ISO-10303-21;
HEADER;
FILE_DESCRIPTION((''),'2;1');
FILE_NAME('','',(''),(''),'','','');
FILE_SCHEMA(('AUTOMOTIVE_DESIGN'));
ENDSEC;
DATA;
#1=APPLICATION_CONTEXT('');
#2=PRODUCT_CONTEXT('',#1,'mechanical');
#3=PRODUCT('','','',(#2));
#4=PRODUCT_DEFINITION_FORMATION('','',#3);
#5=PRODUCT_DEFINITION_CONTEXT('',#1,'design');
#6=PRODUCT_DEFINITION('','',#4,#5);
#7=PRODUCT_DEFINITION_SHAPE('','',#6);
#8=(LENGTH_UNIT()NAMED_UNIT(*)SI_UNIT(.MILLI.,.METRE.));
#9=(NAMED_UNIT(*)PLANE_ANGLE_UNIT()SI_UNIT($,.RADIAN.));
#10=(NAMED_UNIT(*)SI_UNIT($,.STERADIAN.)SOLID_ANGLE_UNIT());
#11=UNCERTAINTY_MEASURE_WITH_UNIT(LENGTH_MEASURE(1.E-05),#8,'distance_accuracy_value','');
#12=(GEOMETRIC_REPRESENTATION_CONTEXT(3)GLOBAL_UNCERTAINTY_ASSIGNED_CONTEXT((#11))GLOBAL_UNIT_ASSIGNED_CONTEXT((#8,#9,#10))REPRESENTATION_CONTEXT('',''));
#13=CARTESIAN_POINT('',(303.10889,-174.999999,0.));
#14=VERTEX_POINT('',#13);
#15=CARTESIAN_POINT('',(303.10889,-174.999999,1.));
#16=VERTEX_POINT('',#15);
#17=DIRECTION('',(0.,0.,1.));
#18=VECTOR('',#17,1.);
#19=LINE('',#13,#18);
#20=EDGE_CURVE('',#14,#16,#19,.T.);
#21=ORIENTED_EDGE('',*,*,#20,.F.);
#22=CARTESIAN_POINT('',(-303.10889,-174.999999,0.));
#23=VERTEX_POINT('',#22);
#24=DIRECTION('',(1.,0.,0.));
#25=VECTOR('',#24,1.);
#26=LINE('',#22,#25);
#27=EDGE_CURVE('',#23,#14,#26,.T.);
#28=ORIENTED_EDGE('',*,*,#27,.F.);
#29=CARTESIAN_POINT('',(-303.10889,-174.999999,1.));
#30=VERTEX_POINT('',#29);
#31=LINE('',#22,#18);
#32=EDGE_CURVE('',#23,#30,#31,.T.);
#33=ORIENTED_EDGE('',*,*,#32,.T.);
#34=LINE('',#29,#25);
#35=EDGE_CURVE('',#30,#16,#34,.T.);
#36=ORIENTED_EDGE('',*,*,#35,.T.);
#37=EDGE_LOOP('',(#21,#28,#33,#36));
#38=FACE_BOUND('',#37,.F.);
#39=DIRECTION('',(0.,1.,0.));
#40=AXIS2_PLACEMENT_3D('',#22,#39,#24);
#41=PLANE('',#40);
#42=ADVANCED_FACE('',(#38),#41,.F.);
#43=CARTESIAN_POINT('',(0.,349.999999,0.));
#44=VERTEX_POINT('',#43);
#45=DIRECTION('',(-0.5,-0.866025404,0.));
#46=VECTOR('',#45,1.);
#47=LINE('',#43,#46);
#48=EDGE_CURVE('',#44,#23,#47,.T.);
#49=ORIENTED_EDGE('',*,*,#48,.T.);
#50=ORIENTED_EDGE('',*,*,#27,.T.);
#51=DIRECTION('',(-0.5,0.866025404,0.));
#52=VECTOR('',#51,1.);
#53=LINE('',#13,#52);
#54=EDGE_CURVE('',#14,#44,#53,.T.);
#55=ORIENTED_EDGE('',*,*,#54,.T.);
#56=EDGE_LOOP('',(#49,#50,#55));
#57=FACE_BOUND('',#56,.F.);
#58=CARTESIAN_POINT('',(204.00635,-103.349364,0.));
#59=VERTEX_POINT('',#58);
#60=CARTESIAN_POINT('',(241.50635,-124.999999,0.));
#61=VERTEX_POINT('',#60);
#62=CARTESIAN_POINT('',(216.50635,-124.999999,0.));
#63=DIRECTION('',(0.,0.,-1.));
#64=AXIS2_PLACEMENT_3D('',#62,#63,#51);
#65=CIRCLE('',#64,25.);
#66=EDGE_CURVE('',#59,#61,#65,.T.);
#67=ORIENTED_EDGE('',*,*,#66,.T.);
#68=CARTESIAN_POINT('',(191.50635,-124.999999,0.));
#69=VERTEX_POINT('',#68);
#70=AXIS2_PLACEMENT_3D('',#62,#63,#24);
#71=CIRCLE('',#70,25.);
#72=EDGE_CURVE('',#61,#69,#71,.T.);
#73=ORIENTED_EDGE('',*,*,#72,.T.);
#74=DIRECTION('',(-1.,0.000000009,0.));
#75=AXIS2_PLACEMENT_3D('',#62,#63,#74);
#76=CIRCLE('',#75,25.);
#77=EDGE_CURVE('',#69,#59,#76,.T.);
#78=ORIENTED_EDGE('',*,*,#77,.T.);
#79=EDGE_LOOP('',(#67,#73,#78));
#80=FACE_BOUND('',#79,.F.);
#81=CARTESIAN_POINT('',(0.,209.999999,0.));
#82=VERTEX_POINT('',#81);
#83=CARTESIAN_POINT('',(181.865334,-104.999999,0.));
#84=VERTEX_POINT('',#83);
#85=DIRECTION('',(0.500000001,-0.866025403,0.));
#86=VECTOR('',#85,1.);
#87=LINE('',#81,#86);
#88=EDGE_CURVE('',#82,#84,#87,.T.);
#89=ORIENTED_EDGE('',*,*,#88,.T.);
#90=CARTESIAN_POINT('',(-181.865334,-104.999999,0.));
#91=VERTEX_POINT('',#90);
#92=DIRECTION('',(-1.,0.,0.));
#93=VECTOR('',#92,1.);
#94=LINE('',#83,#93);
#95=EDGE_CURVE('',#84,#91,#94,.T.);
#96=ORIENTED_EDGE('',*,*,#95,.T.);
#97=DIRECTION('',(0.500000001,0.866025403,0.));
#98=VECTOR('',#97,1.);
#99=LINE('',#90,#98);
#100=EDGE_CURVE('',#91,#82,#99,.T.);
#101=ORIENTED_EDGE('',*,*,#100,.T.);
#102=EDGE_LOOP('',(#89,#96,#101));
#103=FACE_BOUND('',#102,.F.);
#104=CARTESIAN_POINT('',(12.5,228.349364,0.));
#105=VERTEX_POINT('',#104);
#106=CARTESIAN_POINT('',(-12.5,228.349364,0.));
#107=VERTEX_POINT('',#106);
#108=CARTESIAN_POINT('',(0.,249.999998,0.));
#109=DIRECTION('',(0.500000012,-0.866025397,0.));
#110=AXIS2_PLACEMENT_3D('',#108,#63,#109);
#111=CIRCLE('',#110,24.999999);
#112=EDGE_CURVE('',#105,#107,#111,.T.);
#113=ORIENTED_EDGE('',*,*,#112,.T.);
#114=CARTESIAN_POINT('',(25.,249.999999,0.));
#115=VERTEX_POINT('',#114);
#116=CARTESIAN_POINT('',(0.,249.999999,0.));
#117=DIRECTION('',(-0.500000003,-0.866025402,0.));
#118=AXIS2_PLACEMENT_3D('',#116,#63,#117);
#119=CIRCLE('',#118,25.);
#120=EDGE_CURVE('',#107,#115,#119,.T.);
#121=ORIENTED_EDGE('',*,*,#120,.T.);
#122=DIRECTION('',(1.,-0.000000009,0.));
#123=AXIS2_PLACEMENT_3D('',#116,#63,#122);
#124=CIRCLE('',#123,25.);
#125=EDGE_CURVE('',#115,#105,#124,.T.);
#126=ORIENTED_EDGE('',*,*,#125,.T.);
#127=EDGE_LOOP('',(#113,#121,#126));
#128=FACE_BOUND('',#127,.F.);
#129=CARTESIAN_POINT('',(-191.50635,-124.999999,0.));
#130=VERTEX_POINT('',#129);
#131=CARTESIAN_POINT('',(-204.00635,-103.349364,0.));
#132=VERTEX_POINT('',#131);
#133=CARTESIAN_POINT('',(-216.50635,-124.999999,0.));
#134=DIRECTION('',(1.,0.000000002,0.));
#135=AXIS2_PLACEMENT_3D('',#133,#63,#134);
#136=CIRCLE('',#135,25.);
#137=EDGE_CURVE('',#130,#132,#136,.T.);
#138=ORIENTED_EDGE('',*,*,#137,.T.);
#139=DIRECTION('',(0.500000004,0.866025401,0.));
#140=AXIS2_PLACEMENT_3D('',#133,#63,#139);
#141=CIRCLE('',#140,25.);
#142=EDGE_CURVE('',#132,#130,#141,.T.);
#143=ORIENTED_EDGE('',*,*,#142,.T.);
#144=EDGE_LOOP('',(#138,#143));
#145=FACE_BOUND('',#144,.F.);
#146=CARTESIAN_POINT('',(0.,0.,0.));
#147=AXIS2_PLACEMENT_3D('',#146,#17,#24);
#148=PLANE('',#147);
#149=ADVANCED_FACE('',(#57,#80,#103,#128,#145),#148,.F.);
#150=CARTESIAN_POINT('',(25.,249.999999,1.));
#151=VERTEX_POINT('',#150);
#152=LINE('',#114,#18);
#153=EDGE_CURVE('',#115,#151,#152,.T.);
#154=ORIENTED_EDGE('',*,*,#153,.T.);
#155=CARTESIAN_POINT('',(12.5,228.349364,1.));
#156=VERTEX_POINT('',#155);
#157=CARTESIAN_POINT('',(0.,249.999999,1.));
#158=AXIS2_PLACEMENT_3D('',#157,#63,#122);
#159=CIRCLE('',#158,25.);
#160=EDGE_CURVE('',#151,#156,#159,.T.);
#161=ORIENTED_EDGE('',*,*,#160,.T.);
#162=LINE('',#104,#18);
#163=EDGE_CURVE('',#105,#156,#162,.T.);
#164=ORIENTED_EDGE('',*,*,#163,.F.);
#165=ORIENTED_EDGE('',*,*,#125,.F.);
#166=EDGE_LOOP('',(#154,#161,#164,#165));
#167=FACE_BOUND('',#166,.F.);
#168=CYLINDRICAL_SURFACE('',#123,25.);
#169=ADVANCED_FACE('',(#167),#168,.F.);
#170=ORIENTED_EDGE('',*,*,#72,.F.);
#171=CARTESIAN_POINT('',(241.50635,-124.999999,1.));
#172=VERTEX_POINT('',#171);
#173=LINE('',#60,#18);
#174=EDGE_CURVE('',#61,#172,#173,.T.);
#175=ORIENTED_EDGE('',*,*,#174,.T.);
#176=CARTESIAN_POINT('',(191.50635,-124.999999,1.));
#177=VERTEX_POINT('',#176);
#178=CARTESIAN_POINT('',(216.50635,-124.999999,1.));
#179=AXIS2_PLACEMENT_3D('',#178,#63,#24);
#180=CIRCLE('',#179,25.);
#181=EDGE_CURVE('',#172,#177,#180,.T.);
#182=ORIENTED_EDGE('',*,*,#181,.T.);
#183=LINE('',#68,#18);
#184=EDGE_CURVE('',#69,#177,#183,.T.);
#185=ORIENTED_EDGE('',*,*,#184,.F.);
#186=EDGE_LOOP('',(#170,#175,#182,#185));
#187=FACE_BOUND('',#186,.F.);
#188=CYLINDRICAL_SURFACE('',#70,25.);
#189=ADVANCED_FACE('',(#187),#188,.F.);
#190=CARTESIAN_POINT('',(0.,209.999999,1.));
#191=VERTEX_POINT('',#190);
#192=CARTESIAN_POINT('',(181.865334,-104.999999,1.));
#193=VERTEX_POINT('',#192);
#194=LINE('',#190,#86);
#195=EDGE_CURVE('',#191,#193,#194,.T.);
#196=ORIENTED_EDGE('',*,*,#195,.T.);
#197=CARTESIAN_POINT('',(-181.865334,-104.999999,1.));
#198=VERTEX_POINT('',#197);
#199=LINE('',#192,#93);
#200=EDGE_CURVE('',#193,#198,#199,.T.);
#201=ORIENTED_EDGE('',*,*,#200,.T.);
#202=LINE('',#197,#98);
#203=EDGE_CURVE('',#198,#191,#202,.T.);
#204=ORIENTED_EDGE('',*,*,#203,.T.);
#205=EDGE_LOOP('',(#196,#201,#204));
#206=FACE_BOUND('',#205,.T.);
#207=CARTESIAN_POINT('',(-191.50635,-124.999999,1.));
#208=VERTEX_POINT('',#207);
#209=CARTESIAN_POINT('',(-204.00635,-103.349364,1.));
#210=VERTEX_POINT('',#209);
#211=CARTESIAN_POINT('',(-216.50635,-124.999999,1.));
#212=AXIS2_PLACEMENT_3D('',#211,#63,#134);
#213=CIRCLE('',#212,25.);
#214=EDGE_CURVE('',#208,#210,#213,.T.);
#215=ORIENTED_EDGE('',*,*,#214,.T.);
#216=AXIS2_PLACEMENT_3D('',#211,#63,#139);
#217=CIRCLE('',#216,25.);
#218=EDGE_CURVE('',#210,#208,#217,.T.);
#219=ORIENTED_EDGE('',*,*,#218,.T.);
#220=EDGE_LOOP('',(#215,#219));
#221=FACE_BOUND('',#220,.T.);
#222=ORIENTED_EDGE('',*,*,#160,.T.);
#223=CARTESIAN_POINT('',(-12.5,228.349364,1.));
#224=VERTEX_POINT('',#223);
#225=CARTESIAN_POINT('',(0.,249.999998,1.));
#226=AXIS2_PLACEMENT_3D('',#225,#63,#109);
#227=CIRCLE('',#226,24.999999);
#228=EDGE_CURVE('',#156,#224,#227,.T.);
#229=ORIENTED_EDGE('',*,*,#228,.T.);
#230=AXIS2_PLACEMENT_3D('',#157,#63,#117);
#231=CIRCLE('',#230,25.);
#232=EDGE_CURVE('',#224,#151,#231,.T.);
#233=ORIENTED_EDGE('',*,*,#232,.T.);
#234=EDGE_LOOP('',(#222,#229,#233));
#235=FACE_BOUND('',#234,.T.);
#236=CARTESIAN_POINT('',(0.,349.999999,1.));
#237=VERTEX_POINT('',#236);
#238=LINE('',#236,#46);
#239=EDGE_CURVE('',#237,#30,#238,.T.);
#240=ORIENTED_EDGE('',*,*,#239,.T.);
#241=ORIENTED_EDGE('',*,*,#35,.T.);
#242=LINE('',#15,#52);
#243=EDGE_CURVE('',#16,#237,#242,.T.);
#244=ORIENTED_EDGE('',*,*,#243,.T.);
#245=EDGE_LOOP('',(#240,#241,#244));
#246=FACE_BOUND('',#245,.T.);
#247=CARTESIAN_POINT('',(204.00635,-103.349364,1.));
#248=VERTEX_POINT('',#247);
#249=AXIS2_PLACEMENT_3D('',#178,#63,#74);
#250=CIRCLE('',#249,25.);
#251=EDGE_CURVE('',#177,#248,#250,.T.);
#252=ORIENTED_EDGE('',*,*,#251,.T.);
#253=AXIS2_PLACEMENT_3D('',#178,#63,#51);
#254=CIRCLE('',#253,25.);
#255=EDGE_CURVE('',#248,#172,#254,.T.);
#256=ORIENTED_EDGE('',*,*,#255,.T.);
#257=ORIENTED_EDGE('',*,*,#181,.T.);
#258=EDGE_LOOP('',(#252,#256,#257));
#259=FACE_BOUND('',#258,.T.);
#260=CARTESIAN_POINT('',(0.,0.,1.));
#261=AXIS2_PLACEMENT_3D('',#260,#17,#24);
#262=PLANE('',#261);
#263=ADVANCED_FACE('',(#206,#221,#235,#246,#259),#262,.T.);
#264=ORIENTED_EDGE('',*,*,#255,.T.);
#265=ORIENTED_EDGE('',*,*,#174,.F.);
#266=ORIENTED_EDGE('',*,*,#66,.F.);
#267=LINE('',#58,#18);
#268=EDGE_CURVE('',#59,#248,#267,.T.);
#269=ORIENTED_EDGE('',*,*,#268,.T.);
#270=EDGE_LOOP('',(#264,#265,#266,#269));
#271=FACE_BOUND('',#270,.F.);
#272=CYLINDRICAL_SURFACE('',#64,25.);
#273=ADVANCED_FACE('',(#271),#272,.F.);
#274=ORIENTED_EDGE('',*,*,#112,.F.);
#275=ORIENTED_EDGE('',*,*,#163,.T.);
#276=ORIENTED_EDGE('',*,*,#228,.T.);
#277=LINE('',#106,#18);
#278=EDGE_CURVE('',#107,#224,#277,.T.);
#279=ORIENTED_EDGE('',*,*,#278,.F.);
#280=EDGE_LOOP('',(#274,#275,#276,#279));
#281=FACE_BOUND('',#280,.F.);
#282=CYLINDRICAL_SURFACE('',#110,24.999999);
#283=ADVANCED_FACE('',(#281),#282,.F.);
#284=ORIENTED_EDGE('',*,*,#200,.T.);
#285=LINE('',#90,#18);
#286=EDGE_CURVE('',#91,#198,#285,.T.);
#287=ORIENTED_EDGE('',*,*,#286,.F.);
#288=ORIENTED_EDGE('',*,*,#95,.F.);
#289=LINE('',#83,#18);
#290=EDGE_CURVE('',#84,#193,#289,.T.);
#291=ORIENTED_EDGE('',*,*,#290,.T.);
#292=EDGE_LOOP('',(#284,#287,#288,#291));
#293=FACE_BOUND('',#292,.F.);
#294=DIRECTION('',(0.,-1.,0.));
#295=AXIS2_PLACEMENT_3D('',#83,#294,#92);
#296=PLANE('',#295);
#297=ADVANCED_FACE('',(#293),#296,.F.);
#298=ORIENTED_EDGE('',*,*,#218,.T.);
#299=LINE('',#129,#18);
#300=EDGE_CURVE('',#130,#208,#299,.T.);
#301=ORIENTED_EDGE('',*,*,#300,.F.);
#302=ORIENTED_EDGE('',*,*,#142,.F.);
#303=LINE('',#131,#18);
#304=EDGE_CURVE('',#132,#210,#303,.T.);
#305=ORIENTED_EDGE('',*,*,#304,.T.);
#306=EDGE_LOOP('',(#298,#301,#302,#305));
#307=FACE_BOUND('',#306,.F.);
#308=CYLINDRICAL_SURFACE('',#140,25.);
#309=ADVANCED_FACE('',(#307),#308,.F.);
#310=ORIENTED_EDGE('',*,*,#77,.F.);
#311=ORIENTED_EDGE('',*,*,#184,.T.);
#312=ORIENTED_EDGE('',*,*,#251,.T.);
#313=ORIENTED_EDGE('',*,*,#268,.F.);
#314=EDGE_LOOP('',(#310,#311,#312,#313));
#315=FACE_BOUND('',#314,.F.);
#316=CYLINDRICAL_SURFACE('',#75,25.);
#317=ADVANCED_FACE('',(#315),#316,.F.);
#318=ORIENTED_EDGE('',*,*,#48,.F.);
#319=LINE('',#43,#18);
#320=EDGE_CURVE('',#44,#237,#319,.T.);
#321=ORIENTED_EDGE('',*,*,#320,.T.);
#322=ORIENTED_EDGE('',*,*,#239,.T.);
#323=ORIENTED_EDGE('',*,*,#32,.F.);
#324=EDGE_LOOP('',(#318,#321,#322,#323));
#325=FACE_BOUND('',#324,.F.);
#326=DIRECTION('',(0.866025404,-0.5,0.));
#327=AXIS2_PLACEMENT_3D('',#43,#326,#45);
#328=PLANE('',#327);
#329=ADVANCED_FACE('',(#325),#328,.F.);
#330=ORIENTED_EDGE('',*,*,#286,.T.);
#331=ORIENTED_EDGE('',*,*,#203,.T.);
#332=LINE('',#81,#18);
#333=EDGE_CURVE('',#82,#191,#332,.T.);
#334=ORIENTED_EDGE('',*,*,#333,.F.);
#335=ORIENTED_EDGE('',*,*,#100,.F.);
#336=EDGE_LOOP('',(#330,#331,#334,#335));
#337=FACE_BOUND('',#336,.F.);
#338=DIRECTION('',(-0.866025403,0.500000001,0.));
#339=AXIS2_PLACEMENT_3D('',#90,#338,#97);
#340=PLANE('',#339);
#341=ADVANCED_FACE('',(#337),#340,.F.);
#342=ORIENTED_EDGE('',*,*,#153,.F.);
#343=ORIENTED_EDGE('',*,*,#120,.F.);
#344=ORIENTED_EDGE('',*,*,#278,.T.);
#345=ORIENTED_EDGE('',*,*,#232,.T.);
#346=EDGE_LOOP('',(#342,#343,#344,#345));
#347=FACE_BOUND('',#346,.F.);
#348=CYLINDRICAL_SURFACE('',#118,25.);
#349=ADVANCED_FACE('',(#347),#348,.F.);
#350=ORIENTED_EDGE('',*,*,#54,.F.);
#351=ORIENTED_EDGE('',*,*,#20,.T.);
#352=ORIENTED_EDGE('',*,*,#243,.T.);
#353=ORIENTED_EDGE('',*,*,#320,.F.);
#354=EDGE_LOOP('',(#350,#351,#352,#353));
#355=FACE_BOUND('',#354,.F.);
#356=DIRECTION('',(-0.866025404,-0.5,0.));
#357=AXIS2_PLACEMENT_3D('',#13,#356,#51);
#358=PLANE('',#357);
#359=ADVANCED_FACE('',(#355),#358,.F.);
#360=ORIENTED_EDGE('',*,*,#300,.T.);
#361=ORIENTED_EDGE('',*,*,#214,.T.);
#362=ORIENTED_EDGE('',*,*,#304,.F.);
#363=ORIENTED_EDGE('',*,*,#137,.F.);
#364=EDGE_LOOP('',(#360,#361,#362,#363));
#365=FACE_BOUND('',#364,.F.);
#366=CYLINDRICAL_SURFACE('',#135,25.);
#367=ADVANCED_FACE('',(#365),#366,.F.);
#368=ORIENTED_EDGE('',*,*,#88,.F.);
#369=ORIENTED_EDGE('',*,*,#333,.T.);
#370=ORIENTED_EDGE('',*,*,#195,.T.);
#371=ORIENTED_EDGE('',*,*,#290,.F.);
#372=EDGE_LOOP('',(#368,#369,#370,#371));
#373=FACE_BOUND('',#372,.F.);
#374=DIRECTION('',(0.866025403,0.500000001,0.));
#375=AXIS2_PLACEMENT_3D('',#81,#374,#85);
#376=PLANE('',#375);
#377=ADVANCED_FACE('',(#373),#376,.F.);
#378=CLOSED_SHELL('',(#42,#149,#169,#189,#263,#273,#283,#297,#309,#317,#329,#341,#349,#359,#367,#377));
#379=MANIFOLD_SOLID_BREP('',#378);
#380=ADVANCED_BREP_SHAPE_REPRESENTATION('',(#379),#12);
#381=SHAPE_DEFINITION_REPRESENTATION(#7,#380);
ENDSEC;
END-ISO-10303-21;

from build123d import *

# Parameters (mm, degrees)
F2_DEPTH = 1


with BuildPart() as f2:
    # F1 (on Top) → F2 (new body)
    with BuildSketch(Plane.XY):
        Polygon((303.10889, -174.999999), (0, 349.999999), (-303.10889, -174.999999), align=None)
        with BuildLine():
            ThreePointArc((25, 249.999999), (21.650635, 237.499999), (12.5, 228.349364))
            Line((12.5, 228.349364), (204.00635, -103.349364))
            ThreePointArc((204.00635, -103.349364), (229.00635, -103.349364), (241.50635, -124.999999))
            ThreePointArc((241.50635, -124.999999), (216.50635, -149.999999), (191.50635, -124.999999))
            Line((191.50635, -124.999999), (-191.50635, -124.999999))
            ThreePointArc((-191.50635, -124.999999), (-238.156985, -137.499999), (-204.00635, -103.349364))
            Line((-204.00635, -103.349364), (-12.5, 228.349364))
            ThreePointArc((-12.5, 228.349364), (-12.5, 271.650634), (25, 249.999999))
        make_face(mode=Mode.SUBTRACT)
        with BuildLine():
            Line((204.00635, -103.349364), (12.5, 228.349364))
            ThreePointArc((12.5, 228.349364), (0, 224.999999), (-12.5, 228.349364))
            Line((-12.5, 228.349364), (-204.00635, -103.349364))
            ThreePointArc((-204.00635, -103.349364), (-194.855715, -112.499999), (-191.50635, -124.999999))
            Line((-191.50635, -124.999999), (191.50635, -124.999999))
            ThreePointArc((191.50635, -124.999999), (194.855715, -112.499999), (204.00635, -103.349364))
        make_face()
        Polygon((-181.865334, -104.999999), (0, 209.999999), (181.865334, -104.999999), align=None, mode=Mode.SUBTRACT)
    extrude(amount=F2_DEPTH)


solid = f2.part
